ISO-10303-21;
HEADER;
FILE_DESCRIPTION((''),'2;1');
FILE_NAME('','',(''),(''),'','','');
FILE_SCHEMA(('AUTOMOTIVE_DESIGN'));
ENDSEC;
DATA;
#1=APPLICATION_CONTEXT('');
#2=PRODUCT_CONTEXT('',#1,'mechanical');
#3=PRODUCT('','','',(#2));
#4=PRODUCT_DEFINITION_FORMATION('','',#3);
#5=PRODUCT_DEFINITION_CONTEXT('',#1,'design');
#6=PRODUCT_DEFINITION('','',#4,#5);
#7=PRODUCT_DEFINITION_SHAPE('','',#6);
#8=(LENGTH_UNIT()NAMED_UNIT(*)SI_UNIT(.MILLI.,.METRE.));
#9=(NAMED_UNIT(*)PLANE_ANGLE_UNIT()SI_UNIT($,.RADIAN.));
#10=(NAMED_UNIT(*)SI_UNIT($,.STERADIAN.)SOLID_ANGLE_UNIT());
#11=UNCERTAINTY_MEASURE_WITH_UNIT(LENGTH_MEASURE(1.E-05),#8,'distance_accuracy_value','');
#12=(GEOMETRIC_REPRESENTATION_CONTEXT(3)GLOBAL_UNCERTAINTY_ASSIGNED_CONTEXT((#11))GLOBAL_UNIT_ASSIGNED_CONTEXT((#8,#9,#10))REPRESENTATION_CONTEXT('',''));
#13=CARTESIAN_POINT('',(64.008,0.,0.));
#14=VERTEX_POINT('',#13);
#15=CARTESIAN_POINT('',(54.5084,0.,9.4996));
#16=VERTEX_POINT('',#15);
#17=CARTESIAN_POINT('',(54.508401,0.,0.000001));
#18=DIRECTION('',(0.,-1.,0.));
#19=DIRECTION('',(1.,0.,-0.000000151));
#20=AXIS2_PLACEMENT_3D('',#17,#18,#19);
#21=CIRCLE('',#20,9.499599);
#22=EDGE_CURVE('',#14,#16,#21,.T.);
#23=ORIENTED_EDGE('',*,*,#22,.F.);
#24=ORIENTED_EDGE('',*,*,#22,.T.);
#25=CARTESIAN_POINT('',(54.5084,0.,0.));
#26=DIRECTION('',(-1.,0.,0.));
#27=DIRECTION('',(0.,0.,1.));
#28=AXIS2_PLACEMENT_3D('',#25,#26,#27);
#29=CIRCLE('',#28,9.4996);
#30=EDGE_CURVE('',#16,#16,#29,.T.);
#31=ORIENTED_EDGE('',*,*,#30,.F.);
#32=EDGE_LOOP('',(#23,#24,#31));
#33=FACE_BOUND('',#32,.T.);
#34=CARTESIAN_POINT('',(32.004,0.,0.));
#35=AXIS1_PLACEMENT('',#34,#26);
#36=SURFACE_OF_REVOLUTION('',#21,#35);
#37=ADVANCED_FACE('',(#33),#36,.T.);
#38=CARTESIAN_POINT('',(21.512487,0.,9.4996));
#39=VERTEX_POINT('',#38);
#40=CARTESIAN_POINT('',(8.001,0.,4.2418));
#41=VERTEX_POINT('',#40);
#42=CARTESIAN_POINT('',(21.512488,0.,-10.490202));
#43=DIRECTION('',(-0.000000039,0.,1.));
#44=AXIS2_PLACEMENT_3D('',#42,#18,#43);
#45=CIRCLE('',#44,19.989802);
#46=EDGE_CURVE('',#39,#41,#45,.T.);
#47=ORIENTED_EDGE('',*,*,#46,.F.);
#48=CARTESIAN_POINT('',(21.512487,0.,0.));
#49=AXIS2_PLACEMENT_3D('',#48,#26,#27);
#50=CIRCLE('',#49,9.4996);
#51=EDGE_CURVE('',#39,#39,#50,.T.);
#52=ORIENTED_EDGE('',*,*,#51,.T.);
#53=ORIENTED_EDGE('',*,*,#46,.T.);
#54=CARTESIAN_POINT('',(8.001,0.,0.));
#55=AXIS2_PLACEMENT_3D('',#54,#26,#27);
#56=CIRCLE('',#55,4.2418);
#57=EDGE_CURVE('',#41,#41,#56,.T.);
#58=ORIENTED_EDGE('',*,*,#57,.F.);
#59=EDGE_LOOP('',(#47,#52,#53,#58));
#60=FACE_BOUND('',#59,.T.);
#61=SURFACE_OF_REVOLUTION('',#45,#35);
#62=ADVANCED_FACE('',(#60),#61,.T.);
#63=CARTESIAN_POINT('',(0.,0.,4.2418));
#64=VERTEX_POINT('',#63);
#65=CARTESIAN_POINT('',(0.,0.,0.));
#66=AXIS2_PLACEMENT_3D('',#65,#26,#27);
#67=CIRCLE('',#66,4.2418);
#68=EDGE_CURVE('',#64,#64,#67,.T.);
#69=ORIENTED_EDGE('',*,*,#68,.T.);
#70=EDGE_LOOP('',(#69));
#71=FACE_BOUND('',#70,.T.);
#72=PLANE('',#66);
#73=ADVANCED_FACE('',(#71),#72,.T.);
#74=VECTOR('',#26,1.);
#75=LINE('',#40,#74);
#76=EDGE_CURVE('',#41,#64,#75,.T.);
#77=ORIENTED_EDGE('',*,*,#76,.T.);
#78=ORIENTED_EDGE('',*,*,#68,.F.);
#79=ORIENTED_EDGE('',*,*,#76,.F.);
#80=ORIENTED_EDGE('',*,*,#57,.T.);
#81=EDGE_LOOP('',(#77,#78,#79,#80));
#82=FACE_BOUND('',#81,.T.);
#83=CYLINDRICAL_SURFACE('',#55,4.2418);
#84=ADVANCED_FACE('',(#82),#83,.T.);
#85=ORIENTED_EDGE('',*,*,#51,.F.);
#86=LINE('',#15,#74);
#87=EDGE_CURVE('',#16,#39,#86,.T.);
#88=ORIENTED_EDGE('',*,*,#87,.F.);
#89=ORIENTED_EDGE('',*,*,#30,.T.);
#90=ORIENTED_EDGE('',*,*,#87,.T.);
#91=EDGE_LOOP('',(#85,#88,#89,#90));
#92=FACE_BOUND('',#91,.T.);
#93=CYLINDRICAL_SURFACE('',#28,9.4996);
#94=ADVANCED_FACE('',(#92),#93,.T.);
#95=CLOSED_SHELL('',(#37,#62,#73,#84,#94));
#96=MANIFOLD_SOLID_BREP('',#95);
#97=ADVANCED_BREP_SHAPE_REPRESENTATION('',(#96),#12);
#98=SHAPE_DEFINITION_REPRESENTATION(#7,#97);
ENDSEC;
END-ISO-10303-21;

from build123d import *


with BuildPart() as f1:
    # F0 (on Front) → F1 (revolve)
    with BuildSketch(Plane.XZ):
        with BuildLine():
            Line((0, 4.2418), (0, 0))
            Line((0, 0), (64.008, 0))
            ThreePointArc((64.008, 0), (61.225632, 6.717232), (54.5084, 9.4996))
            Line((54.5084, 9.4996), (21.512487, 9.4996))
            ThreePointArc((21.512487, 9.4996), (14.263267, 8.138834), (8.001, 4.2418))
            Line((8.001, 4.2418), (0, 4.2418))
        make_face()
    revolve(axis=Axis((32.004, 0, 0), (-1, 0, 0)))


solid = f1.part
